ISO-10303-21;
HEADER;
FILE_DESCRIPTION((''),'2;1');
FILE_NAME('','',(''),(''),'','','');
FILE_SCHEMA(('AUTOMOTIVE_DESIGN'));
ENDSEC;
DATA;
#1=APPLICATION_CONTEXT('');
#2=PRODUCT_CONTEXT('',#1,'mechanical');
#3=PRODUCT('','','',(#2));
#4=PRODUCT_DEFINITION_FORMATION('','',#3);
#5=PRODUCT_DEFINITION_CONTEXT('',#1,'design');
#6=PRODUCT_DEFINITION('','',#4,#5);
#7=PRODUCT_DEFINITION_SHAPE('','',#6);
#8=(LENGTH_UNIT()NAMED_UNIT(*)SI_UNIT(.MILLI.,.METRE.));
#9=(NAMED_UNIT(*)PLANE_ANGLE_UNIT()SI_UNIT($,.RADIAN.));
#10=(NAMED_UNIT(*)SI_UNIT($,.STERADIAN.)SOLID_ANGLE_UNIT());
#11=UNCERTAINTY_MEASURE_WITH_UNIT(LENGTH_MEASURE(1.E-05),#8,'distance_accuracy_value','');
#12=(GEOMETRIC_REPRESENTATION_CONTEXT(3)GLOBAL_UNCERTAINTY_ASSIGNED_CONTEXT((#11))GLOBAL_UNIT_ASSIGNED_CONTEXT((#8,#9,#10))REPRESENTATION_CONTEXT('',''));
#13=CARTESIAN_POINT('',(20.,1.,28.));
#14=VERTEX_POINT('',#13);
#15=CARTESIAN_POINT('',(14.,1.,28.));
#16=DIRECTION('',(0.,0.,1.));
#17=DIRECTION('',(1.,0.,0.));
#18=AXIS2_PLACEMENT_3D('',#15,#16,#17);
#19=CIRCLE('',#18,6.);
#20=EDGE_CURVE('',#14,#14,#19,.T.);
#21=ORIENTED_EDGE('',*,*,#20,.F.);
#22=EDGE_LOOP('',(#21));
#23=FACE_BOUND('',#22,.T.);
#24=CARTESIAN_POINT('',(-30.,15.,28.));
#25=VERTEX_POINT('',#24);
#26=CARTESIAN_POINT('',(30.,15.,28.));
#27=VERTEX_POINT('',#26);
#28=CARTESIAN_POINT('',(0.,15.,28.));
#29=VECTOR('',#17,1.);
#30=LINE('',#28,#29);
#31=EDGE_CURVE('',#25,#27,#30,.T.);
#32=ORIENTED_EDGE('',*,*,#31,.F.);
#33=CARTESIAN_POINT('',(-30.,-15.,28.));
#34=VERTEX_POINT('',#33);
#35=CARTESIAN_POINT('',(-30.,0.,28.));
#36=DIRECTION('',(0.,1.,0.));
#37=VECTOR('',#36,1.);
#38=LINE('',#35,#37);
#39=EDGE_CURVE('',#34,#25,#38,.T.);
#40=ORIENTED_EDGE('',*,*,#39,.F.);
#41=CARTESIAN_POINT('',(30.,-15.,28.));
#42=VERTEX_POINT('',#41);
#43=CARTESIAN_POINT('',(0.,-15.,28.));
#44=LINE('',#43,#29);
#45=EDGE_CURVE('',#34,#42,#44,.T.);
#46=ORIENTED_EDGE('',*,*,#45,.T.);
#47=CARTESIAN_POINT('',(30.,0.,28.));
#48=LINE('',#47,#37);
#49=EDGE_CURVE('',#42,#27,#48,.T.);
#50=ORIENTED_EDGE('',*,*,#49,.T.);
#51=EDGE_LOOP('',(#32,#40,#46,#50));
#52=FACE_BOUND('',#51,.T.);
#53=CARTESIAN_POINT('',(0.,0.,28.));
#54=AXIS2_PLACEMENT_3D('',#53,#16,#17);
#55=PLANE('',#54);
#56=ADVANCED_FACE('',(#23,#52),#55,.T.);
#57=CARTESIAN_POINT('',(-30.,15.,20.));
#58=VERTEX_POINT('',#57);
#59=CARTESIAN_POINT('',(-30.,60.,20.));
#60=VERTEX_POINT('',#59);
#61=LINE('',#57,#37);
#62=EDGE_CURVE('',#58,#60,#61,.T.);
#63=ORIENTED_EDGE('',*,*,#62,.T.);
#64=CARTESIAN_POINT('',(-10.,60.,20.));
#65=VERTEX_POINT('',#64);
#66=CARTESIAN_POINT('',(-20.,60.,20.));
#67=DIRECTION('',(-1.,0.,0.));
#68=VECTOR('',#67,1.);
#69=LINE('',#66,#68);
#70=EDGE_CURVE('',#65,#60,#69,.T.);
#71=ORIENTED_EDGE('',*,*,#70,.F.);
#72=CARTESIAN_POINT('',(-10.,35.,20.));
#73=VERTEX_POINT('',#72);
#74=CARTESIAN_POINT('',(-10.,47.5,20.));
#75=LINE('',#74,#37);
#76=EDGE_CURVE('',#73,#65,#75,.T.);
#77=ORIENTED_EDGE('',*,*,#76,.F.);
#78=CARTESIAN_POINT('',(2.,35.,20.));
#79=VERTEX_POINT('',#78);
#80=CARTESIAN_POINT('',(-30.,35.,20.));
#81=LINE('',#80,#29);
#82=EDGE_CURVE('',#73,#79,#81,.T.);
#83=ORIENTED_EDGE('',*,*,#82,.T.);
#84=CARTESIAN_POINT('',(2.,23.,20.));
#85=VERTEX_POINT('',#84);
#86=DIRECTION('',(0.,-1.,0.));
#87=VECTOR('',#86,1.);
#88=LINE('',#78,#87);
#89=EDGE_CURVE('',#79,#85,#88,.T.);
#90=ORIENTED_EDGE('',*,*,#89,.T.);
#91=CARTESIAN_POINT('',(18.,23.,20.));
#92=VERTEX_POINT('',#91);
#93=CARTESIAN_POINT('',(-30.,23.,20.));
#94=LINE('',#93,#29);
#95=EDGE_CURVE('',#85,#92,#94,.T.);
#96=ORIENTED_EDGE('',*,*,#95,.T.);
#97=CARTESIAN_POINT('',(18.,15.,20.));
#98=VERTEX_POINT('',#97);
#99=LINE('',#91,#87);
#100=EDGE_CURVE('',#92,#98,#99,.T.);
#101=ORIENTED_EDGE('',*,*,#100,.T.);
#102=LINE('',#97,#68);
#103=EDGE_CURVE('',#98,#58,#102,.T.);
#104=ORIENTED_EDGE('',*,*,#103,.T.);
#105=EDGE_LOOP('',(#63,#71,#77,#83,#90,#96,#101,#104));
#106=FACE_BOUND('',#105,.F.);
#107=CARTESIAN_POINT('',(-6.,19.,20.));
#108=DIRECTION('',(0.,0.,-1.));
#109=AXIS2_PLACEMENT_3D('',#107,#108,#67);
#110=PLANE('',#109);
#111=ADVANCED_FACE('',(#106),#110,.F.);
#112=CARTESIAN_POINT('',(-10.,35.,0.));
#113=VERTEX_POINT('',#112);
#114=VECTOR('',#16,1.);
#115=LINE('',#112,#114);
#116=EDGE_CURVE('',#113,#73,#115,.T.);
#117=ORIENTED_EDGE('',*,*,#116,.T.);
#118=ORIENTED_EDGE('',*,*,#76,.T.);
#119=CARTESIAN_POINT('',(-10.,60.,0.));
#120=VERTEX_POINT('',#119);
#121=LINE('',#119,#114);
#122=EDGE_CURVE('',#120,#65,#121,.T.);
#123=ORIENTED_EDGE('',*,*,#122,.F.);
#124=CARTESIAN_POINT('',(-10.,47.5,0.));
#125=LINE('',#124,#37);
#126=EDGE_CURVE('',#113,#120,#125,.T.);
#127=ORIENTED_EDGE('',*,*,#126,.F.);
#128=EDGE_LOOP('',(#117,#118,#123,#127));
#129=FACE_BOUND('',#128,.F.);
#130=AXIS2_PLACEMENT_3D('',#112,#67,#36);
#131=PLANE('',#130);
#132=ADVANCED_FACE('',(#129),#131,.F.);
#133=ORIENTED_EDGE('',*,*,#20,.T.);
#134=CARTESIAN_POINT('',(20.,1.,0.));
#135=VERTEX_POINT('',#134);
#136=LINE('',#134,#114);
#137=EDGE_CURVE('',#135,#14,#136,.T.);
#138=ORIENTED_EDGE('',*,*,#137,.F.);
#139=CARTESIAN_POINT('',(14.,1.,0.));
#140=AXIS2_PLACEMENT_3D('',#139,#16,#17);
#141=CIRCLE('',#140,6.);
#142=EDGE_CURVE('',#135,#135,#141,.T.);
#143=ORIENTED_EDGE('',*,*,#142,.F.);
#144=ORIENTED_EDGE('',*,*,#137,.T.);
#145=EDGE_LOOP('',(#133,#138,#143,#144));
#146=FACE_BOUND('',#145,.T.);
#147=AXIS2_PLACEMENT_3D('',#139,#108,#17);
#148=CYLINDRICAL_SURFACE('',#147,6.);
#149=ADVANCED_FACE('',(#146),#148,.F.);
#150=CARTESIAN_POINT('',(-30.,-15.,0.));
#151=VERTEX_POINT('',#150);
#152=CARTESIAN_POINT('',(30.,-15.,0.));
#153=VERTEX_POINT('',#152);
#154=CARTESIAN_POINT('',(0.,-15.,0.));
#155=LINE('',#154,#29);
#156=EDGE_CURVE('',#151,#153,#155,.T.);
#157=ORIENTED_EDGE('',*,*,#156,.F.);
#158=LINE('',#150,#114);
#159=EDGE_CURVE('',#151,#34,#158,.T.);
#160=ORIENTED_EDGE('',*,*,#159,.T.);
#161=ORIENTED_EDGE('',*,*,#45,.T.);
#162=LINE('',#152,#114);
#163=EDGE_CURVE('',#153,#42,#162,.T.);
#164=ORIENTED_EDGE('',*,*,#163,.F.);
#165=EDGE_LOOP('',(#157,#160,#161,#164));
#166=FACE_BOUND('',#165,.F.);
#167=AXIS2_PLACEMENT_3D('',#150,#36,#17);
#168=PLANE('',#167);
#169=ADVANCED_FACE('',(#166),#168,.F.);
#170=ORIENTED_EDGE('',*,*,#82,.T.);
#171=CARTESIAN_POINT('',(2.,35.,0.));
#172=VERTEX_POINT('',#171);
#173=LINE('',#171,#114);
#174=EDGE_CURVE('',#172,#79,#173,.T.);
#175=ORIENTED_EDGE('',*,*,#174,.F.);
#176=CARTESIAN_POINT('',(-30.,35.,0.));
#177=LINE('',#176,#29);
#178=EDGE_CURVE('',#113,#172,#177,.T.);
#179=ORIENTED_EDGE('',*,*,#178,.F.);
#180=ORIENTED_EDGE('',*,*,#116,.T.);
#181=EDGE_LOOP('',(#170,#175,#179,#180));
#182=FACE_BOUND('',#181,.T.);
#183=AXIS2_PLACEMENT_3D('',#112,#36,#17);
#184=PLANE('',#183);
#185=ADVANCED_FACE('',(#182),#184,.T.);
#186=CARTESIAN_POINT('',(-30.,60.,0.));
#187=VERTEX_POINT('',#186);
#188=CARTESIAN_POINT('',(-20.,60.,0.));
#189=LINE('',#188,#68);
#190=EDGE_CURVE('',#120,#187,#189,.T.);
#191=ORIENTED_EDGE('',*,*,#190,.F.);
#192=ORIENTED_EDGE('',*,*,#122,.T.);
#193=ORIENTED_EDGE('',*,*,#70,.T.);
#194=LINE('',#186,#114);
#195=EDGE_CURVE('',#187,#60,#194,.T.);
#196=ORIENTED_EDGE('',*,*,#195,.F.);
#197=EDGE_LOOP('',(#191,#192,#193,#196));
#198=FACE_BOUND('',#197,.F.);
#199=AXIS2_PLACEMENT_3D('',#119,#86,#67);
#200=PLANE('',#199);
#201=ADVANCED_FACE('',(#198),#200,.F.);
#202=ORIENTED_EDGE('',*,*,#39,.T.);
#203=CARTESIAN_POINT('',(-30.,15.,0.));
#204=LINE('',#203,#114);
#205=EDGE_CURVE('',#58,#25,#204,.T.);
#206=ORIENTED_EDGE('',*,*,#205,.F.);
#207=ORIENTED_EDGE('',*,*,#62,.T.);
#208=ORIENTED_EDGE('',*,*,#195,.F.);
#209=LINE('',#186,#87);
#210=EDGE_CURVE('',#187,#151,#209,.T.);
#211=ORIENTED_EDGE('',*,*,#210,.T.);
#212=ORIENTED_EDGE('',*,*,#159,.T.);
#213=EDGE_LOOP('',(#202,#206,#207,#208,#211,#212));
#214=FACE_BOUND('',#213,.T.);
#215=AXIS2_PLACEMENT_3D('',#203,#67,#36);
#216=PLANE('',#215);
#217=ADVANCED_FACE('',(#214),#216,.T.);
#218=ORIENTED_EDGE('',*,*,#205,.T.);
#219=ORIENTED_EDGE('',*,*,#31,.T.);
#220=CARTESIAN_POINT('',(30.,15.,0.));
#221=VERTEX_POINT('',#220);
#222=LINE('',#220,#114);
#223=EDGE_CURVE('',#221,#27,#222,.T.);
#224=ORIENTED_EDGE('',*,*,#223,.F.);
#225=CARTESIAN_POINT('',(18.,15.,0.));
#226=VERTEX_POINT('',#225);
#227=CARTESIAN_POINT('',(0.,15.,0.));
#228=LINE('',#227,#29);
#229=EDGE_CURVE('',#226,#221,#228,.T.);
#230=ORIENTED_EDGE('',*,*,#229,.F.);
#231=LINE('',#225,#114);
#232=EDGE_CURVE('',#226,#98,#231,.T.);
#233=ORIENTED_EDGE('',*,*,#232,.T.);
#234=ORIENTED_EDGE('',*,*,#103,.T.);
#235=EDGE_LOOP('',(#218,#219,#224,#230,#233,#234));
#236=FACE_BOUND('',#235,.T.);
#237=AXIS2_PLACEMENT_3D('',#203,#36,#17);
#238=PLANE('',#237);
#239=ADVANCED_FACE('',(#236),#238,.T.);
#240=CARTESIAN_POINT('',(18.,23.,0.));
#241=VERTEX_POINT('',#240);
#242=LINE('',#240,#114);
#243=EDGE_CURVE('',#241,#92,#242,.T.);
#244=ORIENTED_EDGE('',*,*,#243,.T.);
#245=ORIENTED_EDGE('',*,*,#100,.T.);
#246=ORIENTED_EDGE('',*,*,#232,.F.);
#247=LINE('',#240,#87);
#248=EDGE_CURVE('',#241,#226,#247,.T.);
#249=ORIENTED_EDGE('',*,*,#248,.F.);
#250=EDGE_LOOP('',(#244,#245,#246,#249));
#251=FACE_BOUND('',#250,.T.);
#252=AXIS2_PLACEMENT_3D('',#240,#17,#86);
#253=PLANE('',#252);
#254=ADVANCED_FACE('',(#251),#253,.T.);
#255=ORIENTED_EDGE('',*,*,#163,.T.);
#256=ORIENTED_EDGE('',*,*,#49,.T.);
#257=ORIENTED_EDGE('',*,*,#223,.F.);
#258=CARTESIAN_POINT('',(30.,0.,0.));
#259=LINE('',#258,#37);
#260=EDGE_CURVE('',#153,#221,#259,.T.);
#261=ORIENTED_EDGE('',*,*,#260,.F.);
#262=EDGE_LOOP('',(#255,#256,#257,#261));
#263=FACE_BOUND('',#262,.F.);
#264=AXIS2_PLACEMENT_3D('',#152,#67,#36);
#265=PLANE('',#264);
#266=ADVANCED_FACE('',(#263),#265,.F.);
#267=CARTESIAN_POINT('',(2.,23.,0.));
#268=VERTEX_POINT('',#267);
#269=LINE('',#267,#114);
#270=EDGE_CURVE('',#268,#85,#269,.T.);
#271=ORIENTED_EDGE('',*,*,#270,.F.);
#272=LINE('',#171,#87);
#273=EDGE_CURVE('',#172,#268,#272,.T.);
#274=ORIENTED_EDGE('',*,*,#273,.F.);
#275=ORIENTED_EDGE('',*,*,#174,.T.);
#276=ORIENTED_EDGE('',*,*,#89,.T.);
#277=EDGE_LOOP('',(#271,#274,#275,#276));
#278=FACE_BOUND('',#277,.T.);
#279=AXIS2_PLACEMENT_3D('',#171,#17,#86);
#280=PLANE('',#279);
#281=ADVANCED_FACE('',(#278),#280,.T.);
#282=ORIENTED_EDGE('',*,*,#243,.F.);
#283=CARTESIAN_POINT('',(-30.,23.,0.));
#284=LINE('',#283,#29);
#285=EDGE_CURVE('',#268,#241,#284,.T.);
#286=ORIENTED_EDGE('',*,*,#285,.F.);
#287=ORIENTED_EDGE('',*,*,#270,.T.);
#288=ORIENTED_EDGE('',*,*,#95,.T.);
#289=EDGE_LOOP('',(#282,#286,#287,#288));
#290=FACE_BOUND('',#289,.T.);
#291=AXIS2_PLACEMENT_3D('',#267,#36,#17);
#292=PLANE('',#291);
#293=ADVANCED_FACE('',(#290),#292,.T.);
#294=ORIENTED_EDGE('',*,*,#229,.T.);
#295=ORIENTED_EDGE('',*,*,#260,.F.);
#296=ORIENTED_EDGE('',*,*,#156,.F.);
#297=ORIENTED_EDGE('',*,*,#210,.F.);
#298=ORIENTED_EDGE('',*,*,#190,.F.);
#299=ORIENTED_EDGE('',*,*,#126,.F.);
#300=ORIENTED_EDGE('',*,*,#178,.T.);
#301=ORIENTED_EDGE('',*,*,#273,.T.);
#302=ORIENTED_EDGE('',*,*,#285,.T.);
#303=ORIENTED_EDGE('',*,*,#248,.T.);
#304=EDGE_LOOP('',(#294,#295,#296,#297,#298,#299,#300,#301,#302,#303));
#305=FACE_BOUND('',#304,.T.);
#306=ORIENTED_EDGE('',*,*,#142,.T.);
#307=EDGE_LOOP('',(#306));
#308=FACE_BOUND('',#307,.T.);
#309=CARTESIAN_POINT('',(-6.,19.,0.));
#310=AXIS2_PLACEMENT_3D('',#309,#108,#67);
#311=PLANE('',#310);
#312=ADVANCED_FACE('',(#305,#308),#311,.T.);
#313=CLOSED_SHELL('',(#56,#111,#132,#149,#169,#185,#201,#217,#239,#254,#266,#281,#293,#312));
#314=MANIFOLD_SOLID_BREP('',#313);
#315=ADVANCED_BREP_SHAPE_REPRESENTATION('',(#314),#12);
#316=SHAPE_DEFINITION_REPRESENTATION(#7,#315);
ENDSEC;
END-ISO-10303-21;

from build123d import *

# Parameters (mm, degrees)
SKETCH1_W           = 60
SKETCH1_H           = 30
SKETCH1_R           = 6
BOSS_EXTRUDE1_DEPTH = 28
SKETCH2_W           = 20
SKETCH2_H           = 25
BOSS_EXTRUDE2_DEPTH = 20


with BuildPart() as part:
    # Sketch1 → Boss-Extrude1 (new body)
    with BuildSketch(Plane.XY):
        Rectangle(SKETCH1_W, SKETCH1_H)
        with Locations((14, 1)):
            Circle(SKETCH1_R, mode=Mode.SUBTRACT)
    extrude(amount=BOSS_EXTRUDE1_DEPTH)

    # Sketch2 → Boss-Extrude2 (add)
    with BuildSketch(Plane(origin=(0, 0, 0), x_dir=(-1, 0, 0), z_dir=(0, 0, -1))):
        Polygon((-18, 15), (30, 15), (30, 23), (-2, 23), (-18, 23), align=None)
        Polygon((-2, 23), (30, 23), (30, 35), (10, 35), (-2, 35), align=None)
        with Locations((20, 47.5)):
            Rectangle(SKETCH2_W, SKETCH2_H)
    extrude(amount=-BOSS_EXTRUDE2_DEPTH)


solid = part.part
